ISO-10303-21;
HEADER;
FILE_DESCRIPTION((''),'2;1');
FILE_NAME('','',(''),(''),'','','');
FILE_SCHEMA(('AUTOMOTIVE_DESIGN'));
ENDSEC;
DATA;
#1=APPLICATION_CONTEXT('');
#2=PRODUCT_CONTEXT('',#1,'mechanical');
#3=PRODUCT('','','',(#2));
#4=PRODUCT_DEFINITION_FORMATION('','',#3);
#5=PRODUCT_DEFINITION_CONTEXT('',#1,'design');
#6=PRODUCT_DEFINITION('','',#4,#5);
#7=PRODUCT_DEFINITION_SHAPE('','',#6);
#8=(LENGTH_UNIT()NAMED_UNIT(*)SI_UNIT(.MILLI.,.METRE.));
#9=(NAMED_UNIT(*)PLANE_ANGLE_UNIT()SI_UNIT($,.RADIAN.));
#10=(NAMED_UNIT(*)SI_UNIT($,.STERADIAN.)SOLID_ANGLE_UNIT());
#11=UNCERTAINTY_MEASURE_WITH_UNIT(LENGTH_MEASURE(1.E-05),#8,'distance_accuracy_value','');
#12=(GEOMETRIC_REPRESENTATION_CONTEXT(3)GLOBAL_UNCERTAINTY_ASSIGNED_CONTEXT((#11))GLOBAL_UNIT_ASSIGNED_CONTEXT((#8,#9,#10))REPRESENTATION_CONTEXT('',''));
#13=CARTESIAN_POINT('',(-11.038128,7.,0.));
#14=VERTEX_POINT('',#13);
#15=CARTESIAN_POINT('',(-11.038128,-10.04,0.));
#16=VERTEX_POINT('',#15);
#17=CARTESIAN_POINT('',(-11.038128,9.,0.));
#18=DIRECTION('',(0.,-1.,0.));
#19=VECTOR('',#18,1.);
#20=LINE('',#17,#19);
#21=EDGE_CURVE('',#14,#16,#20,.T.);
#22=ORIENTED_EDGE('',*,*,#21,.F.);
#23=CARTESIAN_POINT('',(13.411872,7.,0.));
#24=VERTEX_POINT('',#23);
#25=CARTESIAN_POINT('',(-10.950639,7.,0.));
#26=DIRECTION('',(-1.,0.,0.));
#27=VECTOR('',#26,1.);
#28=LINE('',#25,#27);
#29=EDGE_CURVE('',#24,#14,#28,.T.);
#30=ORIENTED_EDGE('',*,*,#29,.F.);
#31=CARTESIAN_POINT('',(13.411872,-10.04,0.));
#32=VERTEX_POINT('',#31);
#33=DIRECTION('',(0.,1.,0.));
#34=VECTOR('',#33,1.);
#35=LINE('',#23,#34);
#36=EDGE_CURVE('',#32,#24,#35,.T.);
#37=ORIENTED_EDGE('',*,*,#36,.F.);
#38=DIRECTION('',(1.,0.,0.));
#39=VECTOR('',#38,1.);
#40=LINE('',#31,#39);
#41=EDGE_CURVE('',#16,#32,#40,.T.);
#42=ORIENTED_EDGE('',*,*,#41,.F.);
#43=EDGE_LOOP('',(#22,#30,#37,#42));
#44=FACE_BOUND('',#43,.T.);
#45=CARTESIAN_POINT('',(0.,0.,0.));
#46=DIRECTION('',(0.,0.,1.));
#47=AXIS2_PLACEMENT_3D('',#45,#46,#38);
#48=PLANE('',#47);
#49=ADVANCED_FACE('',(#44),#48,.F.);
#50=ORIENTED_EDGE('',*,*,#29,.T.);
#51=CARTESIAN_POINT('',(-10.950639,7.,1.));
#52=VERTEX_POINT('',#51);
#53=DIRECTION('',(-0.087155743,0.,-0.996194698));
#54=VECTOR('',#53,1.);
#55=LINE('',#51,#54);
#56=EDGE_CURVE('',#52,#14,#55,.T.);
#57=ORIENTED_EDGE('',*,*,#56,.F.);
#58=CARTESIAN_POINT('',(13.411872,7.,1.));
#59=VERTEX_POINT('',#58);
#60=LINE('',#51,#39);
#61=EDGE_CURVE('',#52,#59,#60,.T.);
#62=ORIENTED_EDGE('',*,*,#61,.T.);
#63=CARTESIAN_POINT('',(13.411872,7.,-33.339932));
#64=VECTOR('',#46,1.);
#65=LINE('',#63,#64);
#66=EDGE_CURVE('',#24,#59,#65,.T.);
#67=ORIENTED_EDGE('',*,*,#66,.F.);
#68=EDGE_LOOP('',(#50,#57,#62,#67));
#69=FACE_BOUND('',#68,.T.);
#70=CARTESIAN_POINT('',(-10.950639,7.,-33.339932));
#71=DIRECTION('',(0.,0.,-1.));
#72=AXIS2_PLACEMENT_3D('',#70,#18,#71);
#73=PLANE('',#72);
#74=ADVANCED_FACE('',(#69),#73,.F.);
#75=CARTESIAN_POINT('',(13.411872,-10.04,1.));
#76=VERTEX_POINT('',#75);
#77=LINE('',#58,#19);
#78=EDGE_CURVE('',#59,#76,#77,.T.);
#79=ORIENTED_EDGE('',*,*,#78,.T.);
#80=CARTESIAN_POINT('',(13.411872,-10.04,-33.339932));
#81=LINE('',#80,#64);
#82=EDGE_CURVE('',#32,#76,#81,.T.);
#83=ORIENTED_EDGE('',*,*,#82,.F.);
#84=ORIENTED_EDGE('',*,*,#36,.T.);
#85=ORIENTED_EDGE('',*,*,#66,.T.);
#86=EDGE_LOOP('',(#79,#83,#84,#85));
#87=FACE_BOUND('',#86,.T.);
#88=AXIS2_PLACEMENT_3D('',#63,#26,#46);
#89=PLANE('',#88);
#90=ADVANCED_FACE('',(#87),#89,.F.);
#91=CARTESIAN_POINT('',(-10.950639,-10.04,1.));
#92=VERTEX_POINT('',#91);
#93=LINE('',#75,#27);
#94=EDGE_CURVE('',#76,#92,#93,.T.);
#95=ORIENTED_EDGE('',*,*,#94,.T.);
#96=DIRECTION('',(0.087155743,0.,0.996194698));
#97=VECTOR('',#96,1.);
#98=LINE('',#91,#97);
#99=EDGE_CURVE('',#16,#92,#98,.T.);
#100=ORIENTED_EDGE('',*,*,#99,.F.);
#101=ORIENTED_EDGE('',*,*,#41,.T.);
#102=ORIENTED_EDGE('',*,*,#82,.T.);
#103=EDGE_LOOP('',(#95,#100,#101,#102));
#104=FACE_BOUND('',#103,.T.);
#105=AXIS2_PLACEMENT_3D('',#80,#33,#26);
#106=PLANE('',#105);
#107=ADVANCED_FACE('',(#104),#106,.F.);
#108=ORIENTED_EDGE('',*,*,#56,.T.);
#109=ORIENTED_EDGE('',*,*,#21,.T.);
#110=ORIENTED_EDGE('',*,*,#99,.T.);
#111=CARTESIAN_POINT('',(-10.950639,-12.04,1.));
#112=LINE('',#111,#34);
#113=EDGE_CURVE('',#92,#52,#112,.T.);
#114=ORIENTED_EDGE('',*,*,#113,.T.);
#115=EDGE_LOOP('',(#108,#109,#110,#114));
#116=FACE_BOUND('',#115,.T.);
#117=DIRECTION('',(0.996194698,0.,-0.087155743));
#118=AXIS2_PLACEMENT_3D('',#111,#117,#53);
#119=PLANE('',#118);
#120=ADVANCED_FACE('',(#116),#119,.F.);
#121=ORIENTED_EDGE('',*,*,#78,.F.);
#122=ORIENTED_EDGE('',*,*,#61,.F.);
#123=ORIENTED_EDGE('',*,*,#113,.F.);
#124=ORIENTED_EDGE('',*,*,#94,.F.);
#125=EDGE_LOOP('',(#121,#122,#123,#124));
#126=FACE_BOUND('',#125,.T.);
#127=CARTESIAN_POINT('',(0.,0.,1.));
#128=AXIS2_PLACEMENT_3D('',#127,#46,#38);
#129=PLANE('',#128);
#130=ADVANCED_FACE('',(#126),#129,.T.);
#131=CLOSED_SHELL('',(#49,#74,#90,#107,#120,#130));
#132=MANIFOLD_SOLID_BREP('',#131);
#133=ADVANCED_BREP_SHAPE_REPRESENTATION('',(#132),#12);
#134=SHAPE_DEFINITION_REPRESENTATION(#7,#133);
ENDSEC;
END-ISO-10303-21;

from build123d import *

# Parameters (mm, degrees)
SKETCH_4_W               = 25.95
SKETCH_4_H               = 21.04
EXTRUDE_1_DEPTH          = 1
CUT_EXTRUDE_1_DEPTH      = 22.04
CUT_EXTRUDE_2_DEPTH      = 22.04
CUT_EXTRUDE_4_DEPTH      = 15.911872331
CUT_EXTRUDE_4_DEPTH_BACK = 12.038127669
CUT_EXTRUDE_5_DEPTH      = 15.911872331
CUT_EXTRUDE_5_DEPTH_BACK = 12.038127669
CUT_EXTRUDE_6_DEPTH      = 1
SKETCH_14_W              = 1
SKETCH_14_H              = 2
CUT_EXTRUDE_7_DEPTH      = 10


with BuildPart() as part:
    # 草图4 → 凸台-拉伸1 (new body)
    with BuildSketch(Plane.XY):
        with Locations((1.936872331, -1.52)):
            Rectangle(SKETCH_4_W, SKETCH_4_H)
    extrude(amount=EXTRUDE_1_DEPTH)

    # 草图6 → 切除-拉伸1 (cut, through all)
    with BuildSketch(Plane(origin=(0, 9, 0), x_dir=(1, 0, 0), z_dir=(0, 1, 0))):
        Polygon((-11.038127669, 0), (-11.038127669, -1), (-10.950639006, -1), align=None)
    extrude(amount=-CUT_EXTRUDE_1_DEPTH, mode=Mode.SUBTRACT)

    # 草图7 → 切除-拉伸2 (cut, through all)
    with BuildSketch(Plane(origin=(0, 9, 0), x_dir=(1, 0, 0), z_dir=(0, 1, 0))):
        Polygon((14.911872331, -1), (14.894417266, 0), (14.911872331, 0), align=None)
    extrude(amount=-CUT_EXTRUDE_2_DEPTH, mode=Mode.SUBTRACT)

    # 草图11 → 切除-拉伸4 (cut, two sides)
    with BuildSketch(Plane(origin=(0, 0, 0), x_dir=(0, 0, -1), z_dir=(1, 0, 0))) as cut_extrude_4_sk:
        Polygon((-1, -12.04), (0, -12.04), (0, -12.022544935), align=None)
    extrude(amount=CUT_EXTRUDE_4_DEPTH, mode=Mode.SUBTRACT)
    extrude(cut_extrude_4_sk.sketch, amount=-CUT_EXTRUDE_4_DEPTH_BACK, mode=Mode.SUBTRACT)

    # 草图12 → 切除-拉伸5 (cut, two sides)
    with BuildSketch(Plane(origin=(0, 0, 0), x_dir=(0, 0, -1), z_dir=(1, 0, 0))) as cut_extrude_5_sk:
        Polygon((-1, 9), (0, 9), (0, 8.982544935), align=None)
    extrude(amount=CUT_EXTRUDE_5_DEPTH, mode=Mode.SUBTRACT)
    extrude(cut_extrude_5_sk.sketch, amount=-CUT_EXTRUDE_5_DEPTH_BACK, mode=Mode.SUBTRACT)

    # 草图13 → 切除-拉伸6 (cut)
    with BuildSketch(Plane.XY.offset(1)):
        Polygon((-10.950639006, 7), (13.411872331, 7), (13.411872331, -10.04), (-10.950639006, -10.04), (-10.950639006, -12.04), (14.911872331, -12.04), (14.911872331, 9), (-10.950639006, 9), align=None)
    extrude(amount=-CUT_EXTRUDE_6_DEPTH, mode=Mode.SUBTRACT)

    # 草图14 → 切除-拉伸7 (cut)
    with BuildSketch(Plane(origin=(-10.950639006, 0, 0), x_dir=(0, 0, -1), z_dir=(1, 0, 0))):
        with Locations((-0.5, 8)):
            Rectangle(SKETCH_14_W, SKETCH_14_H)
        with Locations((-0.5, -11.04)):
            Rectangle(SKETCH_14_W, SKETCH_14_H)
    extrude(amount=-CUT_EXTRUDE_7_DEPTH, mode=Mode.SUBTRACT)


solid = part.part
